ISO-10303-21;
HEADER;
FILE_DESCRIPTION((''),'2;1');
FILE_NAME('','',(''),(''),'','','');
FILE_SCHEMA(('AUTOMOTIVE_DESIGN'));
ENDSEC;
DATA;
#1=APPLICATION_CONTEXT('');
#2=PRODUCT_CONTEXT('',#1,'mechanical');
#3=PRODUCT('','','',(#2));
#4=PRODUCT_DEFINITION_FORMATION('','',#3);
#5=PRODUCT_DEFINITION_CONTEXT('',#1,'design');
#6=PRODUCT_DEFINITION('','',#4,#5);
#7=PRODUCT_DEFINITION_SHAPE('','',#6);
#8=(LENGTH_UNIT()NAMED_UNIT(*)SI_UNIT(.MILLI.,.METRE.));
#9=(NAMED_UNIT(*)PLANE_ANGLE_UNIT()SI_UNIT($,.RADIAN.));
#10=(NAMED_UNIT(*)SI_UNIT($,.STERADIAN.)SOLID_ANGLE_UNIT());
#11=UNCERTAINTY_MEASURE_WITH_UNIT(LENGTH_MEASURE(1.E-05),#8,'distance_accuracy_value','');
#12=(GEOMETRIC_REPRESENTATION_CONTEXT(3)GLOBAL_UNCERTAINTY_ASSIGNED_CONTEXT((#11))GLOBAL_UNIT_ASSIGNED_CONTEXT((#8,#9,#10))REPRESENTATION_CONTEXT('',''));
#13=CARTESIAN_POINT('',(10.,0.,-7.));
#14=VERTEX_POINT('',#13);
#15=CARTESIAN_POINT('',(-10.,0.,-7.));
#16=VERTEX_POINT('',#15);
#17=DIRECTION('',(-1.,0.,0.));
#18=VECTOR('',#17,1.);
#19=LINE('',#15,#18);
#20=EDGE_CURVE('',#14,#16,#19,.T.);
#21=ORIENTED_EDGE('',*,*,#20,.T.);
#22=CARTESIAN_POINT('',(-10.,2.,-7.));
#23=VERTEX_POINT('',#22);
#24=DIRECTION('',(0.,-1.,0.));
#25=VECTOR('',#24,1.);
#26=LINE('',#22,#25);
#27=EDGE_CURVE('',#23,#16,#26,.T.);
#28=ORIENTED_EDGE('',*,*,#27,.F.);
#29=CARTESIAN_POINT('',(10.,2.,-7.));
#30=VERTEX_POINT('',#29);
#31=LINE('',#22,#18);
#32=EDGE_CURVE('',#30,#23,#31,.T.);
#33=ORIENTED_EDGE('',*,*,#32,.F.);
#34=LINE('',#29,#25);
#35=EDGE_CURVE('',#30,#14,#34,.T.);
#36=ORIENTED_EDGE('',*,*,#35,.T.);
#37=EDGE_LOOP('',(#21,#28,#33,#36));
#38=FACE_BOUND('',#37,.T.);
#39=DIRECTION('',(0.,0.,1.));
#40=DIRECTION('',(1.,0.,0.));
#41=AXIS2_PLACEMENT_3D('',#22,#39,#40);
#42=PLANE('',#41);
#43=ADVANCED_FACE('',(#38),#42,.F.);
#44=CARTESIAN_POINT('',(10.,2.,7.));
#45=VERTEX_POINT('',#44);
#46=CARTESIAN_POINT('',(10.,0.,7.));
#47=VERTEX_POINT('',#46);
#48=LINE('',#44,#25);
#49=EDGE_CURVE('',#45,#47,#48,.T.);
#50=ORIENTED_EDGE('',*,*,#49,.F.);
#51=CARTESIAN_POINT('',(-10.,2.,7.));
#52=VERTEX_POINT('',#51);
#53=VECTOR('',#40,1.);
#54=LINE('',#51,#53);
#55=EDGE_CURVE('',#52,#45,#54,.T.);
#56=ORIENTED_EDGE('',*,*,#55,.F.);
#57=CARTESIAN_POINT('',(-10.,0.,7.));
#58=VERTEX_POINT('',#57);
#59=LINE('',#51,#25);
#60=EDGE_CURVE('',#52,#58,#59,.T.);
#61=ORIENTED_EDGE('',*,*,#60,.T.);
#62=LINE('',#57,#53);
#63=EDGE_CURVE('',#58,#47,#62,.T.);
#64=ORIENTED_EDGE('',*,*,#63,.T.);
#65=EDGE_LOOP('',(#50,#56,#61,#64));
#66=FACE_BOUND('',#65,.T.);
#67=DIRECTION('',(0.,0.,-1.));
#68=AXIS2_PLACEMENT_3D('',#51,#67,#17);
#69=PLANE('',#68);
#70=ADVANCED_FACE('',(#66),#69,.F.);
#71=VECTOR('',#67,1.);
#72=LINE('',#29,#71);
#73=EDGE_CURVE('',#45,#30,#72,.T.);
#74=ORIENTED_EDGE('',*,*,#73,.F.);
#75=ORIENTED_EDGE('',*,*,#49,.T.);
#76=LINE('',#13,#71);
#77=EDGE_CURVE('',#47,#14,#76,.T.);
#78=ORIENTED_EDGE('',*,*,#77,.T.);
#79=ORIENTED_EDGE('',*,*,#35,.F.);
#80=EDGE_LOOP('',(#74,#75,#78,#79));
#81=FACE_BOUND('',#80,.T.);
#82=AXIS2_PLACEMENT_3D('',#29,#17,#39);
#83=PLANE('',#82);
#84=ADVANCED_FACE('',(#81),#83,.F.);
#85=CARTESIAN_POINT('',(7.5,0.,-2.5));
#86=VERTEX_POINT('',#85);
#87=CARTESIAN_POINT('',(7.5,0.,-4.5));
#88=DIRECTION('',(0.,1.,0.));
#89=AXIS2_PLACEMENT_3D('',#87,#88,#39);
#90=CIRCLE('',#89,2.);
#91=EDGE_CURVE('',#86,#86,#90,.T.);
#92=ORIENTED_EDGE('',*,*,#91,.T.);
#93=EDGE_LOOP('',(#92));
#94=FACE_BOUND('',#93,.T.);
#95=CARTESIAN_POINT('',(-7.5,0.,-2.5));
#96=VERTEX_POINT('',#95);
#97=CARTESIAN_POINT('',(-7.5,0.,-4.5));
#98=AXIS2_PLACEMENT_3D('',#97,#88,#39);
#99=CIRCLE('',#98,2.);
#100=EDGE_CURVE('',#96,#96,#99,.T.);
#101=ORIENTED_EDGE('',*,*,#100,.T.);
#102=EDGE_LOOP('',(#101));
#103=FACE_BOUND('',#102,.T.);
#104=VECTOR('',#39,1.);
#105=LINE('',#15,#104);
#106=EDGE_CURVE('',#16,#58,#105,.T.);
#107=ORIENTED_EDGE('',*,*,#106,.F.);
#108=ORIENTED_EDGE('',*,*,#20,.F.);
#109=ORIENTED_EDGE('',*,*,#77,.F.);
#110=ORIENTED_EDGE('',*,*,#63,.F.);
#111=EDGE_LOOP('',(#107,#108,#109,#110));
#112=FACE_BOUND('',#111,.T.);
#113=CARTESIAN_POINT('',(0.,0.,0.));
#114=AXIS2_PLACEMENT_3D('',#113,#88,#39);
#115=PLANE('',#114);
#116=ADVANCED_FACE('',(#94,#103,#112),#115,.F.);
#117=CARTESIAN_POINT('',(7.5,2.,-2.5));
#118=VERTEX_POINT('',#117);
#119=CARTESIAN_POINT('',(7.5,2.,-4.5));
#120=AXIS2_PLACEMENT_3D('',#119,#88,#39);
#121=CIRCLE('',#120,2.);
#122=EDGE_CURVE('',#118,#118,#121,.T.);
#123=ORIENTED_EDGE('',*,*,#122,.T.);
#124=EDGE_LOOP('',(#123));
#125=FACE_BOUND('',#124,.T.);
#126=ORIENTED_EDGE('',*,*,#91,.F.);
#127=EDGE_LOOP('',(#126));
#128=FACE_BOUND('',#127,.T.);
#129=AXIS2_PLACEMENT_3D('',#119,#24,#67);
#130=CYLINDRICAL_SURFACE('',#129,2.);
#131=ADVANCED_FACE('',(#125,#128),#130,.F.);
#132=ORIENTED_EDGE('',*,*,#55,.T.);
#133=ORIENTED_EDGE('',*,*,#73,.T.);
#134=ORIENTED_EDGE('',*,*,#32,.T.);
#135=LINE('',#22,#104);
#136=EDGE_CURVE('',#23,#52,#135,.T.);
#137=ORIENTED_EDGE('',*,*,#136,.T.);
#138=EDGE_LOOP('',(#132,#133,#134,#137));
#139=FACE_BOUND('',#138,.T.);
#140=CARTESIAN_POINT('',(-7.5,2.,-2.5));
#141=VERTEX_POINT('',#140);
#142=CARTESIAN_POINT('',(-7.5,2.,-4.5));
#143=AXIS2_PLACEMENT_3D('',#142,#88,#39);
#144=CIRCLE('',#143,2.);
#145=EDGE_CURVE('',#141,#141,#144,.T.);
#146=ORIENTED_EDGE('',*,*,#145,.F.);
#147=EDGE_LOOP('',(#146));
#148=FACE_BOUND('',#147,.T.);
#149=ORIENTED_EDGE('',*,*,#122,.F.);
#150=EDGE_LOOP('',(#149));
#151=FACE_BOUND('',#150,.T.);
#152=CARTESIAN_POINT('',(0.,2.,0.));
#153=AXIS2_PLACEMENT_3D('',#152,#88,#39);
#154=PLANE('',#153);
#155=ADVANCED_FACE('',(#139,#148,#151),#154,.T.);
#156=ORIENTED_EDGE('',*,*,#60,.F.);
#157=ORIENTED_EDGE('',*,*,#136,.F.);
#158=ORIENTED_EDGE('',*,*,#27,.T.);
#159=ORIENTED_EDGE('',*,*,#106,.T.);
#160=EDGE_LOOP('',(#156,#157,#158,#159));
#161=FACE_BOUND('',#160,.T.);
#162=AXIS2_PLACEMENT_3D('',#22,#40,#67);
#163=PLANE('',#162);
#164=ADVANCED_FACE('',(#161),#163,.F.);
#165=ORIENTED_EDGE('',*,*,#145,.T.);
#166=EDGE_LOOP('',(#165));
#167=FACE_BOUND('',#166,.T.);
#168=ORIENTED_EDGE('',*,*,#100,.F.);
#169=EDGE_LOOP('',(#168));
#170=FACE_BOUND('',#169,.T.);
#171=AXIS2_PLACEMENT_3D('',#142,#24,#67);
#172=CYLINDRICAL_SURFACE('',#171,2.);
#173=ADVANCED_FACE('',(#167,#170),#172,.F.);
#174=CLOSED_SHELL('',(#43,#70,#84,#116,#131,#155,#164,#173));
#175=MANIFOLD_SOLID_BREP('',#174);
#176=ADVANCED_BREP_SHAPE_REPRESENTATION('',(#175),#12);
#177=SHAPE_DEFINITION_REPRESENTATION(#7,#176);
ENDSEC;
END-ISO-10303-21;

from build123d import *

# Parameters (mm, degrees)
SKETCH1_W           = 20
SKETCH1_H           = 14
SKETCH1_R           = 2
BOSS_EXTRUDE1_DEPTH = 2


with BuildPart() as part:
    # Sketch1 → Boss-Extrude1 (new body)
    with BuildSketch(Plane(origin=(0, 0, 0), x_dir=(1, 0, 0), z_dir=(0, 1, 0))):
        Rectangle(SKETCH1_W, SKETCH1_H)
        with Locations(Location((-7.5, 4.5, 0), (0, 0, 270))):
            Circle(SKETCH1_R, mode=Mode.SUBTRACT)
        with Locations(Location((7.5, 4.5, 0), (0, 0, 270))):
            Circle(SKETCH1_R, mode=Mode.SUBTRACT)
    extrude(amount=BOSS_EXTRUDE1_DEPTH)


solid = part.part
